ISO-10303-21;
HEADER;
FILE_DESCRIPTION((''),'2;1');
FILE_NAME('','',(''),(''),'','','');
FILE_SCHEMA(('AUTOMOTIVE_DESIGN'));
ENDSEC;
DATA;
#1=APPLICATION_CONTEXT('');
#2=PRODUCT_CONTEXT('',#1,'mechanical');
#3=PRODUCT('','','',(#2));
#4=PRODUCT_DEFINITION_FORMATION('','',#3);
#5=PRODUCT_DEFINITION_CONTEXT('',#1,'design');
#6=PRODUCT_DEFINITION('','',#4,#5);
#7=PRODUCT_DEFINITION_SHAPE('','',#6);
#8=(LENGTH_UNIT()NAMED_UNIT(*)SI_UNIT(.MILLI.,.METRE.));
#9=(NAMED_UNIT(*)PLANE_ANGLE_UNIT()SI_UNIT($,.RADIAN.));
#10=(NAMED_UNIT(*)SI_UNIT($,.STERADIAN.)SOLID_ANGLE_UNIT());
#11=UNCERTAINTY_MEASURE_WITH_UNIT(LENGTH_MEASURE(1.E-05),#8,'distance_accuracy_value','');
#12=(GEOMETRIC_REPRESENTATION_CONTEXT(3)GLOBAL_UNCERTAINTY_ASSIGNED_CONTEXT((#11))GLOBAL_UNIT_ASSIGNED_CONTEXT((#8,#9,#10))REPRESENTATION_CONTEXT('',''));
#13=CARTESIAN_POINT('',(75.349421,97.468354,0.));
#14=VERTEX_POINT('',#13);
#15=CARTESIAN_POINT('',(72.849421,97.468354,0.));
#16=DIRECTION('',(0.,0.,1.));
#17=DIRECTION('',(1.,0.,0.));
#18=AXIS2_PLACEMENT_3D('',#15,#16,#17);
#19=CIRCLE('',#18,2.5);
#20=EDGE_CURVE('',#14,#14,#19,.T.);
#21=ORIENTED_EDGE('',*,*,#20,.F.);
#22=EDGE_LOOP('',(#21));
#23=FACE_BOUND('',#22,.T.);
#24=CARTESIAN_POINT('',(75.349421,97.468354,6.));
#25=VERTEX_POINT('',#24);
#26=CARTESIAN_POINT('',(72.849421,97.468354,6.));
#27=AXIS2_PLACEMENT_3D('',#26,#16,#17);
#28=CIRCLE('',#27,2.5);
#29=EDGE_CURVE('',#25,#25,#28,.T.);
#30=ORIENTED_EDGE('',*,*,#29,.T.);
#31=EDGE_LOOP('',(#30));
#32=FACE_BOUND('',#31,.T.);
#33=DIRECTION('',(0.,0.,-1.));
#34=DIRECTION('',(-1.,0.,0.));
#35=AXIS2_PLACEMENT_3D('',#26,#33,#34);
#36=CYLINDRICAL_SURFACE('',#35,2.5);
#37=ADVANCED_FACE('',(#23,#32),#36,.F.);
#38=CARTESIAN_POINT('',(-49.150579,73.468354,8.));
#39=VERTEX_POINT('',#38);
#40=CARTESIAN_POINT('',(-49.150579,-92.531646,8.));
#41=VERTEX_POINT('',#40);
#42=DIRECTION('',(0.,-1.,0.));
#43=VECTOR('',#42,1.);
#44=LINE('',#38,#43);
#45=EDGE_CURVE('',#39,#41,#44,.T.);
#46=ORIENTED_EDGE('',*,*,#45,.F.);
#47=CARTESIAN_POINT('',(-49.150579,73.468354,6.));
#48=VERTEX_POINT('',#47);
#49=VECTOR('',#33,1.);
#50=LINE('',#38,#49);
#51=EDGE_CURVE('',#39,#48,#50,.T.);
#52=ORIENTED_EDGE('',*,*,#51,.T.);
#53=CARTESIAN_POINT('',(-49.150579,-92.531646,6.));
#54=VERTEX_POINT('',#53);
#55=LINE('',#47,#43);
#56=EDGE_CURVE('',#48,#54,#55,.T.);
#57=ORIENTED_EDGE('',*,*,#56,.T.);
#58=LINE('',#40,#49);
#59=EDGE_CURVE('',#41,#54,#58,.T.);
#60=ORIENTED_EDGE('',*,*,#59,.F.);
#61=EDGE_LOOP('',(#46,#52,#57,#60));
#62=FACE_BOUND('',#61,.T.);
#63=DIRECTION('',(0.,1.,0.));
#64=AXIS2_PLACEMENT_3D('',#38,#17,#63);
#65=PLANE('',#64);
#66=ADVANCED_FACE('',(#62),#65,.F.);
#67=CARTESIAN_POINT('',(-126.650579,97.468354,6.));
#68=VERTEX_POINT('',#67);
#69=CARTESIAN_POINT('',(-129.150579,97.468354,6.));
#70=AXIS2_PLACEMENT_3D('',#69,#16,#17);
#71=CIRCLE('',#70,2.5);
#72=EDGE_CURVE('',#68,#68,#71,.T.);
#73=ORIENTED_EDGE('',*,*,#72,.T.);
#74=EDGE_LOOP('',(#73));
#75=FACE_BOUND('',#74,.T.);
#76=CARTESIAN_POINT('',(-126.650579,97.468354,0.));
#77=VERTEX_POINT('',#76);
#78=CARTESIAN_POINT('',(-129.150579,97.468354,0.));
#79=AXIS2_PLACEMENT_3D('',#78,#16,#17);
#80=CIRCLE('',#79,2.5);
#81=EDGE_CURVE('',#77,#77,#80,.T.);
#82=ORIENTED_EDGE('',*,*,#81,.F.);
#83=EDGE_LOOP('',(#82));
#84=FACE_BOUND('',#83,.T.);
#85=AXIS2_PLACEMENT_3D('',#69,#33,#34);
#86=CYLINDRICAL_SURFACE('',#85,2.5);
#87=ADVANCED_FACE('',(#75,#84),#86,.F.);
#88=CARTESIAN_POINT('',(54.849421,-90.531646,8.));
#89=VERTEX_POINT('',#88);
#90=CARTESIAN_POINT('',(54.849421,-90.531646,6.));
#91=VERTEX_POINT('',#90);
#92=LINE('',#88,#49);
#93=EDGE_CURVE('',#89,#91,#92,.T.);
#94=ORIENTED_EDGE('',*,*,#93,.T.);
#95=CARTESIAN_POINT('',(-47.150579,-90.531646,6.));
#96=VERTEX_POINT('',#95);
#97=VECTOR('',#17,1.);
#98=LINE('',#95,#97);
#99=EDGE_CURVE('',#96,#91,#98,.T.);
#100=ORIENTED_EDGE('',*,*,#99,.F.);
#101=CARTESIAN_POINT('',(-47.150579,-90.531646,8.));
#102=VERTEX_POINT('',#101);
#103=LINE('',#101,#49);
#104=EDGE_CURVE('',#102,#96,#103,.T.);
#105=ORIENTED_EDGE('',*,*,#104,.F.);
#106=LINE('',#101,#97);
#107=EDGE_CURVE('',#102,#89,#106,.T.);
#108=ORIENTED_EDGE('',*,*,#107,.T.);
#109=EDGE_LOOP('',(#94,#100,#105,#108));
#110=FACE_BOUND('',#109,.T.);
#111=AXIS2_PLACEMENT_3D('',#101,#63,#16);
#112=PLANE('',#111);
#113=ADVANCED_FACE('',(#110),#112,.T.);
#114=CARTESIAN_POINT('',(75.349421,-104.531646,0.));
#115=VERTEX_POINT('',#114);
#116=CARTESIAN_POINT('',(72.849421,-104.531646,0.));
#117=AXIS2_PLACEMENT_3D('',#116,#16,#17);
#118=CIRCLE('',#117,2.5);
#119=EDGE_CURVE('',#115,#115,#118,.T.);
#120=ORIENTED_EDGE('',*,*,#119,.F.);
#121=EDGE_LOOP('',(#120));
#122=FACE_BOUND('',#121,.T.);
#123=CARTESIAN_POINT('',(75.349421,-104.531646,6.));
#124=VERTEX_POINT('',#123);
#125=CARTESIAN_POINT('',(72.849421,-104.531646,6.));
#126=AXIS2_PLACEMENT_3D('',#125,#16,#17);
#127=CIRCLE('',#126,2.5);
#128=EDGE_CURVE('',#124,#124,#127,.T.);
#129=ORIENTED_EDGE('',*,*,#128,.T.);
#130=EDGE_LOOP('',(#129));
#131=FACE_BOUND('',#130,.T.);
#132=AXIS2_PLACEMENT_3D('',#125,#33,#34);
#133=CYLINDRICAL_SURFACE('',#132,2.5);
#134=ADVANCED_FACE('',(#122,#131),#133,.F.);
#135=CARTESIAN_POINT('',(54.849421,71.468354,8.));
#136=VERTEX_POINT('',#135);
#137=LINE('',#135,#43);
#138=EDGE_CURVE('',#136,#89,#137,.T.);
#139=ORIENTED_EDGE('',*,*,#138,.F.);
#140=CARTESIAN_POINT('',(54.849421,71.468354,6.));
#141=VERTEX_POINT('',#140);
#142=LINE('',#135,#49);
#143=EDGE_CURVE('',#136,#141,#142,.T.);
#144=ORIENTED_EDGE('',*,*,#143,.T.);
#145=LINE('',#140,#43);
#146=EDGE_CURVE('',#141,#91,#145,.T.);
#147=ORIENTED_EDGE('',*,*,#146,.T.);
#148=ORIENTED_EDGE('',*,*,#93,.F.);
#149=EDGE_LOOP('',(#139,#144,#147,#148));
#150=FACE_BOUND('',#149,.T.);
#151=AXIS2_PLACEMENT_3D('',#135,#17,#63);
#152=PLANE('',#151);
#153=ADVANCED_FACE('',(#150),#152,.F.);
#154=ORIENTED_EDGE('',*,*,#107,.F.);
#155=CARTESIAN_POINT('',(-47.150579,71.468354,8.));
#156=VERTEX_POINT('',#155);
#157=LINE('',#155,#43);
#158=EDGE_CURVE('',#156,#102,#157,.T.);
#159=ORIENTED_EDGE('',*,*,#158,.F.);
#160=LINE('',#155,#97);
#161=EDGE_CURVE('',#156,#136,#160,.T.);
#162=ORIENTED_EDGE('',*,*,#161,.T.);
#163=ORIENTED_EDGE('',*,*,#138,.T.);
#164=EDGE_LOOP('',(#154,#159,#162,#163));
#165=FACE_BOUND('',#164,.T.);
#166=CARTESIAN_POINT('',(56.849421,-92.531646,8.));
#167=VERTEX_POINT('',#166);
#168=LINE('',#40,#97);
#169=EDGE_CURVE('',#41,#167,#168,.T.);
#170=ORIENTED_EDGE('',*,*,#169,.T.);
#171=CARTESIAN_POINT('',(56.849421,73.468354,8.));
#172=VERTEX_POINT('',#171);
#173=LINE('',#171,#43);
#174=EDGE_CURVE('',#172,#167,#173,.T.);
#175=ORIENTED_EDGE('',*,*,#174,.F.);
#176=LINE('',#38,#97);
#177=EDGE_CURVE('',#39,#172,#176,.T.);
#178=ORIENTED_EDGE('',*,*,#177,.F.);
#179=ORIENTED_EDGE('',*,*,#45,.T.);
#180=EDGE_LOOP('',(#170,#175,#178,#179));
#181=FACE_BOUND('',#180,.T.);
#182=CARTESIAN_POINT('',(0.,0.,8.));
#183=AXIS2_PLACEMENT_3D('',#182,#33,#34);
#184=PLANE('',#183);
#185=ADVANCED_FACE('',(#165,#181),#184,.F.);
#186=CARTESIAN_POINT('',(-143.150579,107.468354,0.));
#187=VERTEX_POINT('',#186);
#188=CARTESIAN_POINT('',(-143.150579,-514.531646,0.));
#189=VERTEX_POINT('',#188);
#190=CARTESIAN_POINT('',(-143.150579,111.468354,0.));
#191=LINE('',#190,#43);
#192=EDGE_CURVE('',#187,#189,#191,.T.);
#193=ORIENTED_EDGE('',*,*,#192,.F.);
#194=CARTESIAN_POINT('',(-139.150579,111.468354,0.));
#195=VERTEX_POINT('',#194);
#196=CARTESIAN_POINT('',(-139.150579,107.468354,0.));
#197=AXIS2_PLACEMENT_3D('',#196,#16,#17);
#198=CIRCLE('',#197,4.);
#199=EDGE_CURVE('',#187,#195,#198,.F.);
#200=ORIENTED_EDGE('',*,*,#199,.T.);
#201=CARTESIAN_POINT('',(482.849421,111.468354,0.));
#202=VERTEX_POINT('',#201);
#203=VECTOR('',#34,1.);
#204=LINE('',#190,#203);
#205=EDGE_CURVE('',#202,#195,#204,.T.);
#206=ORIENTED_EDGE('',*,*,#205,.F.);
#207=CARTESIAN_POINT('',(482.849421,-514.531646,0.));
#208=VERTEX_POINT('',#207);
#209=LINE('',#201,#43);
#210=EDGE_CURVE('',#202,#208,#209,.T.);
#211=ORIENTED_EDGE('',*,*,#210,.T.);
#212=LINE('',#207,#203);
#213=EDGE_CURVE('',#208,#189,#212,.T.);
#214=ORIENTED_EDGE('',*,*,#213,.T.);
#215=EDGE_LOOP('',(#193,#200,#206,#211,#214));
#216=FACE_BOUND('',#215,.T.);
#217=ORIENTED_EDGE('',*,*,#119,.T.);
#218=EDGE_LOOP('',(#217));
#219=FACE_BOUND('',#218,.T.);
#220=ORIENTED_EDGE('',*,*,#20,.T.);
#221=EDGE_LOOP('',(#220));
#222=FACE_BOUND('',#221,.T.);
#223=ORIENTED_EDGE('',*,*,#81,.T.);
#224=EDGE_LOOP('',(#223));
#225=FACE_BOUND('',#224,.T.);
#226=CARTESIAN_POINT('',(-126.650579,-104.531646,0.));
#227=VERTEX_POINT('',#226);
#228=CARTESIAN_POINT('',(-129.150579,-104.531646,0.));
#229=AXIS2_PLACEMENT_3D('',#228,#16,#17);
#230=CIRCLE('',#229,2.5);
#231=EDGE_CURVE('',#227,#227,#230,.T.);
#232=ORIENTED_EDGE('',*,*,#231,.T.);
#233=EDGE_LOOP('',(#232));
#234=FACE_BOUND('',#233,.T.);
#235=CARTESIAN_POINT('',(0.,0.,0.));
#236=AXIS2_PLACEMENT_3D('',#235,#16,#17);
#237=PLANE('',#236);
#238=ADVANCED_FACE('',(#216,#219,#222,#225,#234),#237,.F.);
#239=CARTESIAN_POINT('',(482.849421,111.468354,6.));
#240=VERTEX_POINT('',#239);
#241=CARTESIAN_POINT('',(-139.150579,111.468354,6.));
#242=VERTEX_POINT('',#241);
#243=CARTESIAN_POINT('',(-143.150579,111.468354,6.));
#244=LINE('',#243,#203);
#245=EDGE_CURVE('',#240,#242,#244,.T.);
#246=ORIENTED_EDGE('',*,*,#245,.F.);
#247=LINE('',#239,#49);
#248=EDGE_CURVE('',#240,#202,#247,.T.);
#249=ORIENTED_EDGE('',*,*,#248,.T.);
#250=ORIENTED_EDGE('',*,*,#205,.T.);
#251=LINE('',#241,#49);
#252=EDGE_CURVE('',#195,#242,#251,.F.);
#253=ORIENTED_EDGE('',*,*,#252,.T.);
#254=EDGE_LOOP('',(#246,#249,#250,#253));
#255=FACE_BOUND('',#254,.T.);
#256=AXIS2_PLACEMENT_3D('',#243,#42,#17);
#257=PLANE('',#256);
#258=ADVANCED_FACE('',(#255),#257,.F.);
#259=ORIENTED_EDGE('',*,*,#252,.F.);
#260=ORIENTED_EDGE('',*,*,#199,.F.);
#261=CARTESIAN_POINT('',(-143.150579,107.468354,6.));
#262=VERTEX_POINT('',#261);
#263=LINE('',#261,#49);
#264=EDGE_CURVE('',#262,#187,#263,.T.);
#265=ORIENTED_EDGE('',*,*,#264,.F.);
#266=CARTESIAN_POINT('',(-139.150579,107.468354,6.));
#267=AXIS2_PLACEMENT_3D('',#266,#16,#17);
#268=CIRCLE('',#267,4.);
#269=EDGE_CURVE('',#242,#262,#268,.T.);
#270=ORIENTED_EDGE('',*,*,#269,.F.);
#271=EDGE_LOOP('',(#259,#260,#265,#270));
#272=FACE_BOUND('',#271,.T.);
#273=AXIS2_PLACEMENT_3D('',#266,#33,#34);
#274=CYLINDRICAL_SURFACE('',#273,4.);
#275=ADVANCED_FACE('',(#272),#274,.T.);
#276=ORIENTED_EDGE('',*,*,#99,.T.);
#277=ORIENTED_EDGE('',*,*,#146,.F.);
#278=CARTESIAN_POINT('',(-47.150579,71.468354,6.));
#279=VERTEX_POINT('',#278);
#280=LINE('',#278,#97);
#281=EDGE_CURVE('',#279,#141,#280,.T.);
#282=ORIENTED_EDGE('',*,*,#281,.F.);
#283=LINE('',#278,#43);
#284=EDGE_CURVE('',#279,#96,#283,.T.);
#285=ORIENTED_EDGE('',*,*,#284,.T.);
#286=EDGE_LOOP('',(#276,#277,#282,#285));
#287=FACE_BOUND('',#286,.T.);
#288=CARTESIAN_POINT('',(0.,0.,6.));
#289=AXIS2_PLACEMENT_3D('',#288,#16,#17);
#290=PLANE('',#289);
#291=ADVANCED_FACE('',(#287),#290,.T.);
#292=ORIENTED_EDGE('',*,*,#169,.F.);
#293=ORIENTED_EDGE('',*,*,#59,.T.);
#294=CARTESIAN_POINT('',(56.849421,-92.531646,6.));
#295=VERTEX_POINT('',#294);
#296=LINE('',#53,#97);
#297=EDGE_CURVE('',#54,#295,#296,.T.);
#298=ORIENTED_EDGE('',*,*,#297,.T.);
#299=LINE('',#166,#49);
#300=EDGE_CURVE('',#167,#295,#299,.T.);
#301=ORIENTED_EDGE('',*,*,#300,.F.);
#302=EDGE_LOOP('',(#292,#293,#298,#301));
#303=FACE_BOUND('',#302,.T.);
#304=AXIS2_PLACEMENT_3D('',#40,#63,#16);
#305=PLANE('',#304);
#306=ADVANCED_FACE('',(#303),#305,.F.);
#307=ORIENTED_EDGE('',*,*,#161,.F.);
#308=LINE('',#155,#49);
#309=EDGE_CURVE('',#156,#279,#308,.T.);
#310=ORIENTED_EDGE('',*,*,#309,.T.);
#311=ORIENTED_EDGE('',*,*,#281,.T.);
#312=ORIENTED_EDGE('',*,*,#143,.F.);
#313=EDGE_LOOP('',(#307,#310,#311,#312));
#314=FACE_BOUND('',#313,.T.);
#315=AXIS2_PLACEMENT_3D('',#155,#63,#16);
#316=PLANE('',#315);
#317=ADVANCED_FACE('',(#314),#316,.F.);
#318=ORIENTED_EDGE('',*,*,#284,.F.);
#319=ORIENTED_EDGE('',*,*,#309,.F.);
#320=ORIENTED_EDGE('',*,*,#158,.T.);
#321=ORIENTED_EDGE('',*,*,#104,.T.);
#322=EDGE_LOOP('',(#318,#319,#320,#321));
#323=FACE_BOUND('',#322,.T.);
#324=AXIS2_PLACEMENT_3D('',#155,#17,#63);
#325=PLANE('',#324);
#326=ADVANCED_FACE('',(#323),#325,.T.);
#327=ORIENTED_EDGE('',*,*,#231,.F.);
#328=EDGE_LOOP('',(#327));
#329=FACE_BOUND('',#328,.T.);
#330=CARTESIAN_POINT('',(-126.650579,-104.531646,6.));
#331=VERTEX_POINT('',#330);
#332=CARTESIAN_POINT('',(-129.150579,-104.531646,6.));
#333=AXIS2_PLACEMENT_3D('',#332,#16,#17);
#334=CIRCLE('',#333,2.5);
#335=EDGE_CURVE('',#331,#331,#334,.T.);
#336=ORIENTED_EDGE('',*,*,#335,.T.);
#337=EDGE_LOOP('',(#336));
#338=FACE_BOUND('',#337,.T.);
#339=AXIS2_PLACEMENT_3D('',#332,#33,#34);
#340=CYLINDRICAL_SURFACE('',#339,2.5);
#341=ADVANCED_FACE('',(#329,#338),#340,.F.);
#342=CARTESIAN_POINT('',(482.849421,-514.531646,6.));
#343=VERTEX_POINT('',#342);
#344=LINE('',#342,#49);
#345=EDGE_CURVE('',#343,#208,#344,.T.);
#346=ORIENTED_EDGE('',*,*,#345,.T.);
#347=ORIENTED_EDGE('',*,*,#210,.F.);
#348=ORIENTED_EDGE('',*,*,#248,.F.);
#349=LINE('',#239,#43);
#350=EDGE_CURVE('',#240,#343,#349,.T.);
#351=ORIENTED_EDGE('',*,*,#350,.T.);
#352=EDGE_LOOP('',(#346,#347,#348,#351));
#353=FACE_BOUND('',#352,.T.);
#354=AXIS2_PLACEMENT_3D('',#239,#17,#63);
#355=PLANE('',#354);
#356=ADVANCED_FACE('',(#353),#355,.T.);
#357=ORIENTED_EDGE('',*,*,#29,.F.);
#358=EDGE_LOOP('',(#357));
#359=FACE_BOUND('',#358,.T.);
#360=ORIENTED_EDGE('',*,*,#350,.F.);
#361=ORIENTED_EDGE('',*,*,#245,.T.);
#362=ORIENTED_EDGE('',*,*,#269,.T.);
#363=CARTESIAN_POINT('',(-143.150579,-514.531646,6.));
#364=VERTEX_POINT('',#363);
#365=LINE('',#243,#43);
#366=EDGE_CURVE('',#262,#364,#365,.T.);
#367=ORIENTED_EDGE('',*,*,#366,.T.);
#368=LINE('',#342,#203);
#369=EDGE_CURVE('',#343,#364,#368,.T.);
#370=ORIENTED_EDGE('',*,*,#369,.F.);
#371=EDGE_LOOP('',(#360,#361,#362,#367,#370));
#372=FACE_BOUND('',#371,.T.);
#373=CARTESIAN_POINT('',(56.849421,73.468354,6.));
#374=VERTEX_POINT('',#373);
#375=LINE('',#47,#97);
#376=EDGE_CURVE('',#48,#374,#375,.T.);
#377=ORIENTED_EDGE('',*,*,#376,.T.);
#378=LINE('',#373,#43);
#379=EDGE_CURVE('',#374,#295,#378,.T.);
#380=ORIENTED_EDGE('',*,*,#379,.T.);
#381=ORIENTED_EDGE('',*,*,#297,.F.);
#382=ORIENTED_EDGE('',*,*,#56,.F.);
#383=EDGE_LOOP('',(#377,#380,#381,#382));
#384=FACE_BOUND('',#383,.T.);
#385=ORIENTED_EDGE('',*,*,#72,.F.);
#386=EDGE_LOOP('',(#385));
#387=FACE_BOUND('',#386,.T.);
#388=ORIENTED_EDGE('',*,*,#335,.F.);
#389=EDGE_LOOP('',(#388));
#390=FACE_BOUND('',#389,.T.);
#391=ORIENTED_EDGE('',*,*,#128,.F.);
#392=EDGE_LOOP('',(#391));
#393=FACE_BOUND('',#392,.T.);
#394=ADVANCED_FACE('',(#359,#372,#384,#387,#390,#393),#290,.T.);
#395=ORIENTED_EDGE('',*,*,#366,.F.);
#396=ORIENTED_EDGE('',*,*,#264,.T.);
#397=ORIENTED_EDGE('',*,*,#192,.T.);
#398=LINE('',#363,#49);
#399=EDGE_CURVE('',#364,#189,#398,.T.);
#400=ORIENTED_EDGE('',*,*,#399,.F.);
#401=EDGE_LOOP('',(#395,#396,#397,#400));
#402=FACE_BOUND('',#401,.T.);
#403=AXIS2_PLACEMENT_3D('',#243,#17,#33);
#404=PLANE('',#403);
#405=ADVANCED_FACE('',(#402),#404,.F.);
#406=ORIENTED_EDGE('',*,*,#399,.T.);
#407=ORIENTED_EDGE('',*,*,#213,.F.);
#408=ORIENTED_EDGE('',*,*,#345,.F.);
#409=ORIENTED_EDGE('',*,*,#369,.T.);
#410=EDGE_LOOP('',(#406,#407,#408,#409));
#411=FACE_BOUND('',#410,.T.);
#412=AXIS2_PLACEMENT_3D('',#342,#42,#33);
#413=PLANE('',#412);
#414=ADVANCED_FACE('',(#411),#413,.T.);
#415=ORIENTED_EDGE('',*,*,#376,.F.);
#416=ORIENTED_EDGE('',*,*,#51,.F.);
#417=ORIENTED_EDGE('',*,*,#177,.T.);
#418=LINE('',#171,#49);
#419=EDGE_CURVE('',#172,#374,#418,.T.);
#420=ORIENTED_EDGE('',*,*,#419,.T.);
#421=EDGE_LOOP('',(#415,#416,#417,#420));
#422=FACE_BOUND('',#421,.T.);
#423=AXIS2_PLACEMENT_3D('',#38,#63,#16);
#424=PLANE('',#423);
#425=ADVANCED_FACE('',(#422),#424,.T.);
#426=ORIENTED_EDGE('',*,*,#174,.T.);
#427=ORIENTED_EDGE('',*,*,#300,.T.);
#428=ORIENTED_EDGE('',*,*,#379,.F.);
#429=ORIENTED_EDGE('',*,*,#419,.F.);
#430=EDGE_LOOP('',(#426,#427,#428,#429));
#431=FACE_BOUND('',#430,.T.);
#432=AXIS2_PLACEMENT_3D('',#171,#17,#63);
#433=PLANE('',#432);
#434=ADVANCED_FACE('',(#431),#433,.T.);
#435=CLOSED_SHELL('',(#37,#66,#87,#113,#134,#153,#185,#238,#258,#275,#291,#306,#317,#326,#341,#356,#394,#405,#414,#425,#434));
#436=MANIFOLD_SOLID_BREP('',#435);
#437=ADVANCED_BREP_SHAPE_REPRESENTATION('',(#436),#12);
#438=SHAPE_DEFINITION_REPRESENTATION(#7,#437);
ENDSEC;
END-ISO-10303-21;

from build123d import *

# Parameters (mm, degrees)
ESQUISSE1_W        = 230
ESQUISSE1_H        = 230
ESQUISSE1_R        = 2.5
BOSS_EXTRU_1_DEPTH = 6
CONG_1_R           = 4
ESQUISSE2_W        = 106
ESQUISSE2_H        = 166
ESQUISSE2_W_2      = 102
ESQUISSE2_H_2      = 162
BOSS_EXTRU_2_DEPTH = 2
BOSS_EXTRU_3_DEPTH = 6


with BuildPart() as part:
    # Esquisse1 → Boss.-Extru.1 (new body)
    with BuildSketch(Plane.XY):
        with Locations((-28.150579015, -3.53164557)):
            Rectangle(ESQUISSE1_W, ESQUISSE1_H)
        with Locations((-129.150579015, 97.46835443)):
            Circle(ESQUISSE1_R, mode=Mode.SUBTRACT)
        with Locations((72.849420985, 97.46835443)):
            Circle(ESQUISSE1_R, mode=Mode.SUBTRACT)
        with Locations((72.849420985, -104.53164557)):
            Circle(ESQUISSE1_R, mode=Mode.SUBTRACT)
        with Locations((-129.150579015, -104.53164557)):
            Circle(ESQUISSE1_R, mode=Mode.SUBTRACT)
    extrude(amount=BOSS_EXTRU_1_DEPTH)

    # Congé1
    cong_1_edges = [part.edges().sort_by_distance(p)[0] for p in [
        (-143.150579015, 111.46835443, 3),
        (86.849420985, 111.46835443, 3),
        (86.849420985, -118.53164557, 3),
        (-143.150579015, -118.53164557, 3),
    ]]
    fillet(cong_1_edges, radius=CONG_1_R)

    # Esquisse2 → Boss.-Extru.2 (add)
    with BuildSketch(Plane.XY.offset(6)):
        with Locations((3.849420985, -9.53164557)):
            Rectangle(ESQUISSE2_W, ESQUISSE2_H)
        with Locations((3.849420985, -9.53164557)):
            Rectangle(ESQUISSE2_W_2, ESQUISSE2_H_2, mode=Mode.SUBTRACT)
    extrude(amount=BOSS_EXTRU_2_DEPTH)

    # Esquisse3 → Boss.-Extru.3 (add)
    with BuildSketch(Plane(origin=(0, 0, 0), x_dir=(-1, 0, 0), z_dir=(0, 0, -1))):
        Polygon((-82.849420985, 111.46835443), (-482.849420985, 111.46835443), (-482.849420985, -514.53164557), (143.150579015, -514.53164557), (143.150579015, -114.53164557), (-82.849420985, -114.53164557), align=None)
    extrude(amount=-BOSS_EXTRU_3_DEPTH)


solid = part.part
